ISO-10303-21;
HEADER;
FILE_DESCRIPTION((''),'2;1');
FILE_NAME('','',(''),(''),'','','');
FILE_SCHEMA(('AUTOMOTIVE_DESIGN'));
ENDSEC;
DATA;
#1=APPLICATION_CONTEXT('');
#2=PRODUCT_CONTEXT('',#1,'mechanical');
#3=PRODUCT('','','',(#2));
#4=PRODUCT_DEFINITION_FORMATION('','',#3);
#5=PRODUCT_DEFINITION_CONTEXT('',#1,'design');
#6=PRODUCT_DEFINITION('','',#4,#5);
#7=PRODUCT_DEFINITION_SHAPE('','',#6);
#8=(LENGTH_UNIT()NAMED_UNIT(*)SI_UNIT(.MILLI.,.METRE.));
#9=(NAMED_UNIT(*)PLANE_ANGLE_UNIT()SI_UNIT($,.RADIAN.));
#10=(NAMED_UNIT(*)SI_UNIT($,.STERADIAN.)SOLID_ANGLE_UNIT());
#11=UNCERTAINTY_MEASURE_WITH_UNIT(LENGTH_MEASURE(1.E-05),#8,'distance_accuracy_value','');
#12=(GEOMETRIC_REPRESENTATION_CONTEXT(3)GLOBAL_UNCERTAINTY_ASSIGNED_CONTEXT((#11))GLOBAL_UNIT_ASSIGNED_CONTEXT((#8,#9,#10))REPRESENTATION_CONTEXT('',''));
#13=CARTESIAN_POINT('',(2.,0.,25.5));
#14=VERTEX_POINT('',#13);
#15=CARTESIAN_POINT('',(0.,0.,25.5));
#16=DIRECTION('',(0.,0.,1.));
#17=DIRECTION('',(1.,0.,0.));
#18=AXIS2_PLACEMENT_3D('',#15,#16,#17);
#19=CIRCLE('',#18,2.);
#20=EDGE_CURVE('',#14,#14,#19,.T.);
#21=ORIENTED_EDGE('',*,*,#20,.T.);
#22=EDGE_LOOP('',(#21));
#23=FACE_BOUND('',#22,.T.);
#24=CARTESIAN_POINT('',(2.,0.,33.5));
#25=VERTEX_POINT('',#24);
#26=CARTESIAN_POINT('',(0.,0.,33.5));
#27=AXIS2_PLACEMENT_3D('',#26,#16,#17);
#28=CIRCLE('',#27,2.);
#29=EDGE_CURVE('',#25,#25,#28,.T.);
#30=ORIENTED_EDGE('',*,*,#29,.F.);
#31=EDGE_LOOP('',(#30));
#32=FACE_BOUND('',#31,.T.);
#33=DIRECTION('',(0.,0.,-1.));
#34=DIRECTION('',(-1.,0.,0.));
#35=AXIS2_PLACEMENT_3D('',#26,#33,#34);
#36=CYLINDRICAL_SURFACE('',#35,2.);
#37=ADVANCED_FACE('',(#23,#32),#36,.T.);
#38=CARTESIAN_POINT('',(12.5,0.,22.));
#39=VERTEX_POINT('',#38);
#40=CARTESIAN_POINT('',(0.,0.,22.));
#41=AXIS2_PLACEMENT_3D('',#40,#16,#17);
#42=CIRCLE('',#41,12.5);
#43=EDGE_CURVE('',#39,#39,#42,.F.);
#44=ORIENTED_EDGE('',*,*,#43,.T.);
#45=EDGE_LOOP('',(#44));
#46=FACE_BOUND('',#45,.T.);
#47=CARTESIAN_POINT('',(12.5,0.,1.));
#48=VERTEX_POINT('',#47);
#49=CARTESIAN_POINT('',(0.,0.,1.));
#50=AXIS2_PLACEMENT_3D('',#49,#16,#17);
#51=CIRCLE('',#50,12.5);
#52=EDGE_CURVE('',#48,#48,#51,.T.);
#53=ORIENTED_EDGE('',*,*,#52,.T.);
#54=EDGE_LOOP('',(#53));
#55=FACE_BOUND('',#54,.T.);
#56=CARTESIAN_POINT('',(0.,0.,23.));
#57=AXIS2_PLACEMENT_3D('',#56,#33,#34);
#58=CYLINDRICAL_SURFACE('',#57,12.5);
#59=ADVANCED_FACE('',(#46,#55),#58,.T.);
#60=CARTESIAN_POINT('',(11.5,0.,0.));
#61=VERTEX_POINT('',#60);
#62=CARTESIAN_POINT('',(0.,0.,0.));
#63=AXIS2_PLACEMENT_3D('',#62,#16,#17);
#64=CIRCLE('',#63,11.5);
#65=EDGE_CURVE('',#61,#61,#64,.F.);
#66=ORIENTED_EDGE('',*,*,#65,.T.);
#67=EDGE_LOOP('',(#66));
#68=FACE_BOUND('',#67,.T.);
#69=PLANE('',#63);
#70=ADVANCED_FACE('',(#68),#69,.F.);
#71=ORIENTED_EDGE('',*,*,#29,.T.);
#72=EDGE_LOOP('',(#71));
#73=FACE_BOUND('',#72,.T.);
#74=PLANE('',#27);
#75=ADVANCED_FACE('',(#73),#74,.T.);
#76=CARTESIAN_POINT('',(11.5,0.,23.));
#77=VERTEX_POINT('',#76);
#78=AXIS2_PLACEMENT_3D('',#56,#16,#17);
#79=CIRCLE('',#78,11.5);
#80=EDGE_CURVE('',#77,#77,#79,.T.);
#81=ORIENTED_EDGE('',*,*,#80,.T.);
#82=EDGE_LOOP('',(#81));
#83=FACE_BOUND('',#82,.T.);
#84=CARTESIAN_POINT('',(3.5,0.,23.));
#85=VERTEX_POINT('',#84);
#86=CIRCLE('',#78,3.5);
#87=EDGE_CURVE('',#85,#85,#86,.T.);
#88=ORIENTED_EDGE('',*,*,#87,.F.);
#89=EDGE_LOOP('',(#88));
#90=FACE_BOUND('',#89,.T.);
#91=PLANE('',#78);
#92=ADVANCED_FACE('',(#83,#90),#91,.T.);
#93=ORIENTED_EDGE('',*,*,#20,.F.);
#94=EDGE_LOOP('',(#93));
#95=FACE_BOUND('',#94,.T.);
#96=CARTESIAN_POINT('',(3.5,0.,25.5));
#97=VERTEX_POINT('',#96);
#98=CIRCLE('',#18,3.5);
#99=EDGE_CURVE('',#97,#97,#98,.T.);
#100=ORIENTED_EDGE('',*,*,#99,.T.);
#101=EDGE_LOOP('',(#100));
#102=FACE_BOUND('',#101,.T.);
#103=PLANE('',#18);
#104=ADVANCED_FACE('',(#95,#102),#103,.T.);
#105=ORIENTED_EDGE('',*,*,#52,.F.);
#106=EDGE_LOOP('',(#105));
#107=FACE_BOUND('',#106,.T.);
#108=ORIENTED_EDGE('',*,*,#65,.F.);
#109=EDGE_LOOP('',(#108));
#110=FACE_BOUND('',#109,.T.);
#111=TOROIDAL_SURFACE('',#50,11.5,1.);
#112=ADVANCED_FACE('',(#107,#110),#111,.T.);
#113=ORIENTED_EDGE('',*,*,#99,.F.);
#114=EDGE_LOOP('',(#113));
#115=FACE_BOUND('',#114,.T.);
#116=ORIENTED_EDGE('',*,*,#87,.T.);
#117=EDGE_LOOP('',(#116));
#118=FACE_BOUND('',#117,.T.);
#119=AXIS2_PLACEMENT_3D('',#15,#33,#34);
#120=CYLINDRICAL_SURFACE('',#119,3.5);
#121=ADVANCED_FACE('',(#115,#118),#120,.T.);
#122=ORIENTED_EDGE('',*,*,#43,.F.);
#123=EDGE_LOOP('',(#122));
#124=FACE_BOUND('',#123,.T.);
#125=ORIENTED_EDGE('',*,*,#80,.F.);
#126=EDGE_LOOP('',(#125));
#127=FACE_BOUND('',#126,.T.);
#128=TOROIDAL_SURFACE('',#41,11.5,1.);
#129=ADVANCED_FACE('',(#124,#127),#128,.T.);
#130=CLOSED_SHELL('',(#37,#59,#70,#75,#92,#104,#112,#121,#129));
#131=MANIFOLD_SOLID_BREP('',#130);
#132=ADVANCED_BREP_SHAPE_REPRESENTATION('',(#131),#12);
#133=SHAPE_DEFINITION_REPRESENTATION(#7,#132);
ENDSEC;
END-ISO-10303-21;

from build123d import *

# Parameters (mm, degrees)
ESBO_O1_R                = 12.5
RESSALTO_EXTRUS_O1_DEPTH = 23
ESBO_O2_R                = 3.5
RESSALTO_EXTRUS_O2_DEPTH = 2.5
FILETE1_R                = 1
ESBO_O3_R                = 2
RESSALTO_EXTRUS_O3_DEPTH = 8


with BuildPart() as part:
    # Esboço1 → Ressalto-extrusão1 (new body)
    with BuildSketch(Plane.XY):
        Circle(ESBO_O1_R)
    extrude(amount=RESSALTO_EXTRUS_O1_DEPTH)

    # Esboço2 → Ressalto-extrusão2 (add)
    with BuildSketch(Plane.XY.offset(23)):
        Circle(ESBO_O2_R)
    extrude(amount=RESSALTO_EXTRUS_O2_DEPTH)

    # Filete1
    filete1_edges = [part.edges().sort_by_distance(p)[0] for p in [
        (-12.5, 0, 0),
        (-12.5, 0, 23),
    ]]
    fillet(filete1_edges, radius=FILETE1_R)

    # Esboço3 → Ressalto-extrusão3 (add)
    with BuildSketch(Plane.XY.offset(25.5)):
        Circle(ESBO_O3_R)
    extrude(amount=RESSALTO_EXTRUS_O3_DEPTH)


solid = part.part
